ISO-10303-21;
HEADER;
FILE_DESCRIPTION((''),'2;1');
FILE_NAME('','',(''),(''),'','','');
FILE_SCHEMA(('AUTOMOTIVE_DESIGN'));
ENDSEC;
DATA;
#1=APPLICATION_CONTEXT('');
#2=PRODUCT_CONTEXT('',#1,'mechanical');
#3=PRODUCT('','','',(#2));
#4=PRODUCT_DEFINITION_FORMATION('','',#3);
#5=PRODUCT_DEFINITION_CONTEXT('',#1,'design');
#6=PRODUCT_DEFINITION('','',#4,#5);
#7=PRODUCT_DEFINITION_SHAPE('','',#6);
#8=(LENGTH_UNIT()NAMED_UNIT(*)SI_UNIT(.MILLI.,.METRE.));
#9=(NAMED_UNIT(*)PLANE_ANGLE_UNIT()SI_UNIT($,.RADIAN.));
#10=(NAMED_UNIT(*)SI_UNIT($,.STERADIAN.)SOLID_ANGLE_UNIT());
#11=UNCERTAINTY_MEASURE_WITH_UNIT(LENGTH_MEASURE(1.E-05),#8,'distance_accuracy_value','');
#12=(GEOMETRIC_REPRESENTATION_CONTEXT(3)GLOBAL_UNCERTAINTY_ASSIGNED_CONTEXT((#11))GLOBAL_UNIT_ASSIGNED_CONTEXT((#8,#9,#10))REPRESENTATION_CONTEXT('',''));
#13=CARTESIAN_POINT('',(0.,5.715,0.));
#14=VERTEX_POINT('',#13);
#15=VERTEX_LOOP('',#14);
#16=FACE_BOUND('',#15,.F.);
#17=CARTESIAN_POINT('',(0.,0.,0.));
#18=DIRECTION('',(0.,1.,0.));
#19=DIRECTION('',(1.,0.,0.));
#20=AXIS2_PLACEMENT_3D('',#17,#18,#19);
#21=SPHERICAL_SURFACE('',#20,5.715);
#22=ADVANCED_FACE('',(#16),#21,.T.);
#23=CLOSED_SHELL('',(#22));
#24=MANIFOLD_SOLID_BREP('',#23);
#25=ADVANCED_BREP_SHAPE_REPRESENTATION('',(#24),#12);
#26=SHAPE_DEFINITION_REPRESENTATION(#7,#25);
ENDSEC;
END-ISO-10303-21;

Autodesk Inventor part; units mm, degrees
ref_plane "YZ Plane" through (0, 0, 0) normal (1, 0, 0) x (0, 1, 0)
ref_plane "XZ Plane" through (0, 0, 0) normal (0, 1, 0) x (-1, 0, 0)
sketch "Sketch2" plane through (0, 0, 0) normal (0, 0, 1) x (1, 0, 0)
  arc A0 (0, -5.715) -> (0, 5.715) centre (0, 0) ccw
  line L0 (0, 5.715) -> (0, -5.715)
  dimension "d1" = 11.43
revolve "Revolution1" add sketch "Sketch2" angle 360 about axis through (0, 5.715, 0) along (0, -1, 0)
equation "\"d1\" = diameterOfBall"
equation "\"allowanceForBallToRotate\" = 1.27"
equation "\"diameterOfBall\" = 11.43"
properties part number "ball"
